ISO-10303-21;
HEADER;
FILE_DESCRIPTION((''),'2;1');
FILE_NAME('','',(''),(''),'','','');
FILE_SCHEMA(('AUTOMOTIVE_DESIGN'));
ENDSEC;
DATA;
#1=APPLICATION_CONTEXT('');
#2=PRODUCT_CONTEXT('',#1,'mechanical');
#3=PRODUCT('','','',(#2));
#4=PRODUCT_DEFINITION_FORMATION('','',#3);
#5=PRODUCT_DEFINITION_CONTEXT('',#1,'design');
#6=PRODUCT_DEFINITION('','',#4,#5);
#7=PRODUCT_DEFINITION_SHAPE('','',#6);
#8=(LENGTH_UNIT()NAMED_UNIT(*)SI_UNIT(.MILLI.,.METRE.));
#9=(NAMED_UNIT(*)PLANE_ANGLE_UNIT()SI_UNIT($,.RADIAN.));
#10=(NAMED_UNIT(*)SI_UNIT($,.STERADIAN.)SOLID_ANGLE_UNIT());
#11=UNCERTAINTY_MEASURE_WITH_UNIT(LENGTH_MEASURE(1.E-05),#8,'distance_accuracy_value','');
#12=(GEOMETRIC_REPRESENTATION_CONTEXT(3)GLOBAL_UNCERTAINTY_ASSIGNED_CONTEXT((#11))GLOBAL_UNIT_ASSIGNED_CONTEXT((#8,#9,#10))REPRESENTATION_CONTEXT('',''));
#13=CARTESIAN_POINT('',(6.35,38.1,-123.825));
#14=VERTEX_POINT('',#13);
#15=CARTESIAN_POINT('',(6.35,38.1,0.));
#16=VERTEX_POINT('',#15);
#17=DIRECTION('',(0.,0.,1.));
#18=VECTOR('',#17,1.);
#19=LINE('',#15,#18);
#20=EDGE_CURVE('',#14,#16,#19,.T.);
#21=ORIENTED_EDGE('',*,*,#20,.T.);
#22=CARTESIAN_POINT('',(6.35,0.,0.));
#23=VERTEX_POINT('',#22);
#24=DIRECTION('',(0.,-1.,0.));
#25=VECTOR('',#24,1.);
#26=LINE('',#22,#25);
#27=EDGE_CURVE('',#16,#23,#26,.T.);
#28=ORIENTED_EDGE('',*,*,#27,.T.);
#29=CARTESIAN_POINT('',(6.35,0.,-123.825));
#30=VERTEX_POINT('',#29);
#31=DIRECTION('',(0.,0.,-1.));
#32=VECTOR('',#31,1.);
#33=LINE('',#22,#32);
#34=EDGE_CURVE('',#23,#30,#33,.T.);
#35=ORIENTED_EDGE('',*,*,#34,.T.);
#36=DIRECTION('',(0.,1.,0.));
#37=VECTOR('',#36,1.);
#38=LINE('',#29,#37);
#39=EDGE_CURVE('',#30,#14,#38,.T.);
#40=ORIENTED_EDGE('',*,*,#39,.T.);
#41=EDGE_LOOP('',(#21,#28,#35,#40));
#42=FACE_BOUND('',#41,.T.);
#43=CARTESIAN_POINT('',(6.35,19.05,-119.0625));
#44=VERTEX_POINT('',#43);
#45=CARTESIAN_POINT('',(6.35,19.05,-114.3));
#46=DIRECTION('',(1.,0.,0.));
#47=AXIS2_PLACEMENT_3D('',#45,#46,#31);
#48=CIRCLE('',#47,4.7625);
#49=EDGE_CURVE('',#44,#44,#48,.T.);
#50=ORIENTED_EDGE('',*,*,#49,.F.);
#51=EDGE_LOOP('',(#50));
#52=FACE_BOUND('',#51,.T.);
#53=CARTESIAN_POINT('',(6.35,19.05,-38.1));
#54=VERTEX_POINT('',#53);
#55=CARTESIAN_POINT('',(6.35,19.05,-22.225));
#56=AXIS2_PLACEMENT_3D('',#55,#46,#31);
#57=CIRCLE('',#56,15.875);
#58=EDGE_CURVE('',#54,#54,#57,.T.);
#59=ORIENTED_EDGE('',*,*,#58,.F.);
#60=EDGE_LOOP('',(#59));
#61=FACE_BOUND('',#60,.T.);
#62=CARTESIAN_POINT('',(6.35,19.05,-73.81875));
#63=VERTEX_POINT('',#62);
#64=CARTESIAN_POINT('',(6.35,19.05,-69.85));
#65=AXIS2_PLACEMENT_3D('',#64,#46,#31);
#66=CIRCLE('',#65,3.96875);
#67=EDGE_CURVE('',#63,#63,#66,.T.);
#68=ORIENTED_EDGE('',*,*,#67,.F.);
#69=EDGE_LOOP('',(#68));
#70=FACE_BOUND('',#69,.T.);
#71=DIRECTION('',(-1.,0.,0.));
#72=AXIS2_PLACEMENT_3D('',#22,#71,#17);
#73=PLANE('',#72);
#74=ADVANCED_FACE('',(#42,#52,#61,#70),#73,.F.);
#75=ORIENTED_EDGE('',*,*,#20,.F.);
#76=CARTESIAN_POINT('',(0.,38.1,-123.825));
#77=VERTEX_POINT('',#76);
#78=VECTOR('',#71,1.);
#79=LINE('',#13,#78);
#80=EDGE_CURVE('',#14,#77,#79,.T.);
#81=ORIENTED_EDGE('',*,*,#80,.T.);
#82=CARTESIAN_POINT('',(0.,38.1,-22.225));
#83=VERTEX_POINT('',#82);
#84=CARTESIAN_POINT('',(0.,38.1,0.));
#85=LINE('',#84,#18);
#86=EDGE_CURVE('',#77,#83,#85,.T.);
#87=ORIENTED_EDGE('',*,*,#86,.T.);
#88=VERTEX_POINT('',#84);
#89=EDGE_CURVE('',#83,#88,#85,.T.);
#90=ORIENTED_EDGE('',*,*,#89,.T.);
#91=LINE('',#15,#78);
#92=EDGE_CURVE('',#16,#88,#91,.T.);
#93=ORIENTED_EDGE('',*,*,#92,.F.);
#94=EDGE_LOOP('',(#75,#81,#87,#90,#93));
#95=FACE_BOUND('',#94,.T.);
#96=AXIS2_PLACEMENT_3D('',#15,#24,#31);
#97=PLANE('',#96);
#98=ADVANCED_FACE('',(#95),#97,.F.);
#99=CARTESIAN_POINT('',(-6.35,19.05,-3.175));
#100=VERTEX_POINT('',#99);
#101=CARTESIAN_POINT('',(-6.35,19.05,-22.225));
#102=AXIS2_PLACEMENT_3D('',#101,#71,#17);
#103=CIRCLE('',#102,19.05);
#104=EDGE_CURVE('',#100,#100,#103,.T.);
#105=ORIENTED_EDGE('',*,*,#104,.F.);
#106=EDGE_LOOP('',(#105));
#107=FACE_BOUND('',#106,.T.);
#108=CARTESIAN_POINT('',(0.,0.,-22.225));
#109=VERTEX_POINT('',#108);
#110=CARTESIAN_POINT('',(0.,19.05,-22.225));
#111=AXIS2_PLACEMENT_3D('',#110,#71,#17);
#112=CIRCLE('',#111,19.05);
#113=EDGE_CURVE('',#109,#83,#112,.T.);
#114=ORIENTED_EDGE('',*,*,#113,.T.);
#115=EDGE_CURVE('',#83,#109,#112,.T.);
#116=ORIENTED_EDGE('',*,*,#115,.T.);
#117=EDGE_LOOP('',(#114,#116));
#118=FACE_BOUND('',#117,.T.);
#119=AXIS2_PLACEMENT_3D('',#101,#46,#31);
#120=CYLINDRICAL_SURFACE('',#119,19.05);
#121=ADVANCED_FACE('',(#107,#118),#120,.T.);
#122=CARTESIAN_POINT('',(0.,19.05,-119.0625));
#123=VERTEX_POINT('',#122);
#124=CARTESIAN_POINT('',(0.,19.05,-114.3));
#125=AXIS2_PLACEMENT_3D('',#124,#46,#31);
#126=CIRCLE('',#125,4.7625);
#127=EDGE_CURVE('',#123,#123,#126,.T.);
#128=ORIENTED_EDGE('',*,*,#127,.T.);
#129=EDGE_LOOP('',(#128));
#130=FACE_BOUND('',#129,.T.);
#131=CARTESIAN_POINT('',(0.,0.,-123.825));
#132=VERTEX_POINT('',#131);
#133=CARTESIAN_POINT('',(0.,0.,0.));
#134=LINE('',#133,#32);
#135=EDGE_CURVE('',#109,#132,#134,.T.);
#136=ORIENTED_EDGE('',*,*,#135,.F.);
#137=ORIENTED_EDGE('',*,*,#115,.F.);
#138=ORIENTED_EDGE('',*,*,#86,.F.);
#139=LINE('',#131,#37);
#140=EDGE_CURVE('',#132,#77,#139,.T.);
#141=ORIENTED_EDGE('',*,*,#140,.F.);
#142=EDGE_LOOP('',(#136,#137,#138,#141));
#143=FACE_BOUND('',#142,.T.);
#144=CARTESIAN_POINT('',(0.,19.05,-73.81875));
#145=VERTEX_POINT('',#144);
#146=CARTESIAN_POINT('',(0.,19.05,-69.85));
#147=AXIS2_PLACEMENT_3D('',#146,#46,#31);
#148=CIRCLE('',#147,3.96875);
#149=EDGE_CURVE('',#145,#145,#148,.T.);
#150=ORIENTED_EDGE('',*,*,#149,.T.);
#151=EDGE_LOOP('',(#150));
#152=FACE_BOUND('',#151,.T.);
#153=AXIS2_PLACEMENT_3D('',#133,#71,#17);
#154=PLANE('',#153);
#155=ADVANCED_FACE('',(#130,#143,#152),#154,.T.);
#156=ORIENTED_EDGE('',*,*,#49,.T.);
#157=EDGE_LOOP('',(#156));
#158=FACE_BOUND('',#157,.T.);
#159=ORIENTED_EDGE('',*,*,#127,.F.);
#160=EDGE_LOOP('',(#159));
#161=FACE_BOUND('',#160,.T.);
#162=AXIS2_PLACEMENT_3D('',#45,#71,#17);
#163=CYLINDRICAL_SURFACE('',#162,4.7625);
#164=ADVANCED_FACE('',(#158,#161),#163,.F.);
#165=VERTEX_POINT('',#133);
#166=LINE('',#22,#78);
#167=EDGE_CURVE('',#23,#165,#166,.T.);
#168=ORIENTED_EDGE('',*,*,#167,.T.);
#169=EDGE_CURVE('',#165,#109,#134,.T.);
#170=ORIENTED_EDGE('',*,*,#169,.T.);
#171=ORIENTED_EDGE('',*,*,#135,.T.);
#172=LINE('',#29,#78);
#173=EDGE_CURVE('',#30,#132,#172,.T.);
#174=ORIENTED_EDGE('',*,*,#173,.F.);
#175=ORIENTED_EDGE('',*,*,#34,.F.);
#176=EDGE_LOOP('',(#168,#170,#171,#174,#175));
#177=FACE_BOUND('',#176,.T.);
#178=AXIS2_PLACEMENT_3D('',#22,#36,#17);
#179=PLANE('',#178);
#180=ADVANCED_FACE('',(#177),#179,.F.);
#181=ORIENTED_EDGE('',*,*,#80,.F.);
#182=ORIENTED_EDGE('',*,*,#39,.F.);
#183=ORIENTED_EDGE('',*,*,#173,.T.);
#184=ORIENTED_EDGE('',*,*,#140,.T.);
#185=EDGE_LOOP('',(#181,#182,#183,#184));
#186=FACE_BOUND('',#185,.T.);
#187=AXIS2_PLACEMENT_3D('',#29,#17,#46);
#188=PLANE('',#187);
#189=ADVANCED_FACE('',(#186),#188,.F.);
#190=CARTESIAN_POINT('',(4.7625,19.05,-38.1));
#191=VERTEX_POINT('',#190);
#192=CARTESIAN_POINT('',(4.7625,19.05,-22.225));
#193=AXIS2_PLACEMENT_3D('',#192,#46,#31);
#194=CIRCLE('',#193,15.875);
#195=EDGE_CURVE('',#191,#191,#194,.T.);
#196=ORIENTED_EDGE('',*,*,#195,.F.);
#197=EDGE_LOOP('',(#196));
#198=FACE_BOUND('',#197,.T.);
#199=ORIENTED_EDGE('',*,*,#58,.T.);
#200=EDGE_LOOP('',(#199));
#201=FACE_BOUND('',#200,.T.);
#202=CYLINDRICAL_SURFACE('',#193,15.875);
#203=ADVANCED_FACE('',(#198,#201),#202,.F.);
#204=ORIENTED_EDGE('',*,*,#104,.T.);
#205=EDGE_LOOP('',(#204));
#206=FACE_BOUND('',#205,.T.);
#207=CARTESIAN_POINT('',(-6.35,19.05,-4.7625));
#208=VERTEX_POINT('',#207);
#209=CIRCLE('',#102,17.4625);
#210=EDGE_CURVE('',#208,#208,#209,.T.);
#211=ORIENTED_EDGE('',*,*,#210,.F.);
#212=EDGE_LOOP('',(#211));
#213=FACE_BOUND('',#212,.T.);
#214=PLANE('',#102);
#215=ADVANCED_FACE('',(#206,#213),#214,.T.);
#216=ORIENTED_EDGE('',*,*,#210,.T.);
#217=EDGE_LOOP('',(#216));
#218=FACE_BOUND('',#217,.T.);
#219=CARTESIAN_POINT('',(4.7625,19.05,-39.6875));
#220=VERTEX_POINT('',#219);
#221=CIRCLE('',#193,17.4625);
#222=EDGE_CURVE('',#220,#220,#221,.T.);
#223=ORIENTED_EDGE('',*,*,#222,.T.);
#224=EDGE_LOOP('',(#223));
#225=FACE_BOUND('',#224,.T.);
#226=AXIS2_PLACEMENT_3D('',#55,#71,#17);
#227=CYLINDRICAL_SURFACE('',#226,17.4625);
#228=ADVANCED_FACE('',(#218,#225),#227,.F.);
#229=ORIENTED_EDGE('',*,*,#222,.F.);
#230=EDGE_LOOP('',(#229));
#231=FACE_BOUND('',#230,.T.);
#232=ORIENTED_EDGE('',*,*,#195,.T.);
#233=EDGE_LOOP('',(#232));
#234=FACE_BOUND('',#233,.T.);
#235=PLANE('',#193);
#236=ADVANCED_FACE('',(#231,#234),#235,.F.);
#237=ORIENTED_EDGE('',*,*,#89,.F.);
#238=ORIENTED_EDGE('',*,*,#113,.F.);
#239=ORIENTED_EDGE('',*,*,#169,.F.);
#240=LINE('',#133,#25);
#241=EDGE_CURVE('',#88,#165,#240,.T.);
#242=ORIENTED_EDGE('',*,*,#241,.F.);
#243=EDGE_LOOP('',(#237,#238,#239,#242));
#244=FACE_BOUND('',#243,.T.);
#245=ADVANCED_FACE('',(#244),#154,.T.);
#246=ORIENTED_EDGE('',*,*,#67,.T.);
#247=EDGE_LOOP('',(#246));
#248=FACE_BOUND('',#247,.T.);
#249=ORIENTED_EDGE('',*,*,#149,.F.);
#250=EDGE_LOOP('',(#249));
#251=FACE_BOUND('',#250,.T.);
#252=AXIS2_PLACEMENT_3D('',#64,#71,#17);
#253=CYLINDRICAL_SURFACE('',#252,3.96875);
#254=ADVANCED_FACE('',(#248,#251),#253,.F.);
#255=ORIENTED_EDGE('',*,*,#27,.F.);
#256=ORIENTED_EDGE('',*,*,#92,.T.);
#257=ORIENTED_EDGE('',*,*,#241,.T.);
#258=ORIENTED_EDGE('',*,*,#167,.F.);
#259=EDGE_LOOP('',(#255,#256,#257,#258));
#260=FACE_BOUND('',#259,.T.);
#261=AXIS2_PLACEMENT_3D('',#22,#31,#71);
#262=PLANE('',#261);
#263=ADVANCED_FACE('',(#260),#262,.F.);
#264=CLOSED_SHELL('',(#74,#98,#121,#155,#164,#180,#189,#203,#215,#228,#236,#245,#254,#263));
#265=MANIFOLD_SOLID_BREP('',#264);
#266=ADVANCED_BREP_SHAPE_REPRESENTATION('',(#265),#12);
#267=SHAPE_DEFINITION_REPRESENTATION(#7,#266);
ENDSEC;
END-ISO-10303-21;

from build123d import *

# Parameters (mm, degrees)
SKETCH1_W           = 123.825
SKETCH1_H           = 38.1
SKETCH1_R           = 17.4625
SKETCH1_R_2         = 3.96875
SKETCH1_R_3         = 4.7625
BOSS_EXTRUDE1_DEPTH = 6.35
BOSS_EXTRUDE3_START = -1.5875
SKETCH3_R           = 17.4625
SKETCH3_R_2         = 15.875
BOSS_EXTRUDE3_DEPTH = 1.5875
BOSS_EXTRUDE5_START = 6.35
SKETCH5_R           = 19.05
SKETCH5_R_2         = 17.4625
BOSS_EXTRUDE5_DEPTH = 6.35


with BuildPart() as part:
    # Sketch1 → Boss-Extrude1 (new body)
    with BuildSketch(Plane(origin=(0, 0, 0), x_dir=(0, 0, -1), z_dir=(1, 0, 0))):
        with Locations((61.9125, 19.05)):
            Rectangle(SKETCH1_W, SKETCH1_H)
        with Locations((22.225, 19.05)):
            Circle(SKETCH1_R, mode=Mode.SUBTRACT)
        with Locations((69.85, 19.05)):
            Circle(SKETCH1_R_2, mode=Mode.SUBTRACT)
        with Locations((114.3, 19.05)):
            Circle(SKETCH1_R_3, mode=Mode.SUBTRACT)
    extrude(amount=BOSS_EXTRUDE1_DEPTH)

    # Sketch3 → Boss-Extrude3 (add)
    with BuildSketch(Plane(origin=(6.35, 0, 0), x_dir=(0, 0, -1), z_dir=(1, 0, 0)).offset(BOSS_EXTRUDE3_START)):
        with Locations((22.225, 19.05)):
            Circle(SKETCH3_R)
        with Locations((22.225, 19.05)):
            Circle(SKETCH3_R_2, mode=Mode.SUBTRACT)
    extrude(amount=BOSS_EXTRUDE3_DEPTH)

    # Sketch5 → Boss-Extrude5 (add)
    with BuildSketch(Plane.ZY.offset(BOSS_EXTRUDE5_START)):
        with Locations(Location((-22.225, 19.05, 0), (0, 0, 270))):
            Circle(SKETCH5_R)
        with Locations((-22.225, 19.05)):
            Circle(SKETCH5_R_2, mode=Mode.SUBTRACT)
    extrude(amount=-BOSS_EXTRUDE5_DEPTH)


solid = part.part
